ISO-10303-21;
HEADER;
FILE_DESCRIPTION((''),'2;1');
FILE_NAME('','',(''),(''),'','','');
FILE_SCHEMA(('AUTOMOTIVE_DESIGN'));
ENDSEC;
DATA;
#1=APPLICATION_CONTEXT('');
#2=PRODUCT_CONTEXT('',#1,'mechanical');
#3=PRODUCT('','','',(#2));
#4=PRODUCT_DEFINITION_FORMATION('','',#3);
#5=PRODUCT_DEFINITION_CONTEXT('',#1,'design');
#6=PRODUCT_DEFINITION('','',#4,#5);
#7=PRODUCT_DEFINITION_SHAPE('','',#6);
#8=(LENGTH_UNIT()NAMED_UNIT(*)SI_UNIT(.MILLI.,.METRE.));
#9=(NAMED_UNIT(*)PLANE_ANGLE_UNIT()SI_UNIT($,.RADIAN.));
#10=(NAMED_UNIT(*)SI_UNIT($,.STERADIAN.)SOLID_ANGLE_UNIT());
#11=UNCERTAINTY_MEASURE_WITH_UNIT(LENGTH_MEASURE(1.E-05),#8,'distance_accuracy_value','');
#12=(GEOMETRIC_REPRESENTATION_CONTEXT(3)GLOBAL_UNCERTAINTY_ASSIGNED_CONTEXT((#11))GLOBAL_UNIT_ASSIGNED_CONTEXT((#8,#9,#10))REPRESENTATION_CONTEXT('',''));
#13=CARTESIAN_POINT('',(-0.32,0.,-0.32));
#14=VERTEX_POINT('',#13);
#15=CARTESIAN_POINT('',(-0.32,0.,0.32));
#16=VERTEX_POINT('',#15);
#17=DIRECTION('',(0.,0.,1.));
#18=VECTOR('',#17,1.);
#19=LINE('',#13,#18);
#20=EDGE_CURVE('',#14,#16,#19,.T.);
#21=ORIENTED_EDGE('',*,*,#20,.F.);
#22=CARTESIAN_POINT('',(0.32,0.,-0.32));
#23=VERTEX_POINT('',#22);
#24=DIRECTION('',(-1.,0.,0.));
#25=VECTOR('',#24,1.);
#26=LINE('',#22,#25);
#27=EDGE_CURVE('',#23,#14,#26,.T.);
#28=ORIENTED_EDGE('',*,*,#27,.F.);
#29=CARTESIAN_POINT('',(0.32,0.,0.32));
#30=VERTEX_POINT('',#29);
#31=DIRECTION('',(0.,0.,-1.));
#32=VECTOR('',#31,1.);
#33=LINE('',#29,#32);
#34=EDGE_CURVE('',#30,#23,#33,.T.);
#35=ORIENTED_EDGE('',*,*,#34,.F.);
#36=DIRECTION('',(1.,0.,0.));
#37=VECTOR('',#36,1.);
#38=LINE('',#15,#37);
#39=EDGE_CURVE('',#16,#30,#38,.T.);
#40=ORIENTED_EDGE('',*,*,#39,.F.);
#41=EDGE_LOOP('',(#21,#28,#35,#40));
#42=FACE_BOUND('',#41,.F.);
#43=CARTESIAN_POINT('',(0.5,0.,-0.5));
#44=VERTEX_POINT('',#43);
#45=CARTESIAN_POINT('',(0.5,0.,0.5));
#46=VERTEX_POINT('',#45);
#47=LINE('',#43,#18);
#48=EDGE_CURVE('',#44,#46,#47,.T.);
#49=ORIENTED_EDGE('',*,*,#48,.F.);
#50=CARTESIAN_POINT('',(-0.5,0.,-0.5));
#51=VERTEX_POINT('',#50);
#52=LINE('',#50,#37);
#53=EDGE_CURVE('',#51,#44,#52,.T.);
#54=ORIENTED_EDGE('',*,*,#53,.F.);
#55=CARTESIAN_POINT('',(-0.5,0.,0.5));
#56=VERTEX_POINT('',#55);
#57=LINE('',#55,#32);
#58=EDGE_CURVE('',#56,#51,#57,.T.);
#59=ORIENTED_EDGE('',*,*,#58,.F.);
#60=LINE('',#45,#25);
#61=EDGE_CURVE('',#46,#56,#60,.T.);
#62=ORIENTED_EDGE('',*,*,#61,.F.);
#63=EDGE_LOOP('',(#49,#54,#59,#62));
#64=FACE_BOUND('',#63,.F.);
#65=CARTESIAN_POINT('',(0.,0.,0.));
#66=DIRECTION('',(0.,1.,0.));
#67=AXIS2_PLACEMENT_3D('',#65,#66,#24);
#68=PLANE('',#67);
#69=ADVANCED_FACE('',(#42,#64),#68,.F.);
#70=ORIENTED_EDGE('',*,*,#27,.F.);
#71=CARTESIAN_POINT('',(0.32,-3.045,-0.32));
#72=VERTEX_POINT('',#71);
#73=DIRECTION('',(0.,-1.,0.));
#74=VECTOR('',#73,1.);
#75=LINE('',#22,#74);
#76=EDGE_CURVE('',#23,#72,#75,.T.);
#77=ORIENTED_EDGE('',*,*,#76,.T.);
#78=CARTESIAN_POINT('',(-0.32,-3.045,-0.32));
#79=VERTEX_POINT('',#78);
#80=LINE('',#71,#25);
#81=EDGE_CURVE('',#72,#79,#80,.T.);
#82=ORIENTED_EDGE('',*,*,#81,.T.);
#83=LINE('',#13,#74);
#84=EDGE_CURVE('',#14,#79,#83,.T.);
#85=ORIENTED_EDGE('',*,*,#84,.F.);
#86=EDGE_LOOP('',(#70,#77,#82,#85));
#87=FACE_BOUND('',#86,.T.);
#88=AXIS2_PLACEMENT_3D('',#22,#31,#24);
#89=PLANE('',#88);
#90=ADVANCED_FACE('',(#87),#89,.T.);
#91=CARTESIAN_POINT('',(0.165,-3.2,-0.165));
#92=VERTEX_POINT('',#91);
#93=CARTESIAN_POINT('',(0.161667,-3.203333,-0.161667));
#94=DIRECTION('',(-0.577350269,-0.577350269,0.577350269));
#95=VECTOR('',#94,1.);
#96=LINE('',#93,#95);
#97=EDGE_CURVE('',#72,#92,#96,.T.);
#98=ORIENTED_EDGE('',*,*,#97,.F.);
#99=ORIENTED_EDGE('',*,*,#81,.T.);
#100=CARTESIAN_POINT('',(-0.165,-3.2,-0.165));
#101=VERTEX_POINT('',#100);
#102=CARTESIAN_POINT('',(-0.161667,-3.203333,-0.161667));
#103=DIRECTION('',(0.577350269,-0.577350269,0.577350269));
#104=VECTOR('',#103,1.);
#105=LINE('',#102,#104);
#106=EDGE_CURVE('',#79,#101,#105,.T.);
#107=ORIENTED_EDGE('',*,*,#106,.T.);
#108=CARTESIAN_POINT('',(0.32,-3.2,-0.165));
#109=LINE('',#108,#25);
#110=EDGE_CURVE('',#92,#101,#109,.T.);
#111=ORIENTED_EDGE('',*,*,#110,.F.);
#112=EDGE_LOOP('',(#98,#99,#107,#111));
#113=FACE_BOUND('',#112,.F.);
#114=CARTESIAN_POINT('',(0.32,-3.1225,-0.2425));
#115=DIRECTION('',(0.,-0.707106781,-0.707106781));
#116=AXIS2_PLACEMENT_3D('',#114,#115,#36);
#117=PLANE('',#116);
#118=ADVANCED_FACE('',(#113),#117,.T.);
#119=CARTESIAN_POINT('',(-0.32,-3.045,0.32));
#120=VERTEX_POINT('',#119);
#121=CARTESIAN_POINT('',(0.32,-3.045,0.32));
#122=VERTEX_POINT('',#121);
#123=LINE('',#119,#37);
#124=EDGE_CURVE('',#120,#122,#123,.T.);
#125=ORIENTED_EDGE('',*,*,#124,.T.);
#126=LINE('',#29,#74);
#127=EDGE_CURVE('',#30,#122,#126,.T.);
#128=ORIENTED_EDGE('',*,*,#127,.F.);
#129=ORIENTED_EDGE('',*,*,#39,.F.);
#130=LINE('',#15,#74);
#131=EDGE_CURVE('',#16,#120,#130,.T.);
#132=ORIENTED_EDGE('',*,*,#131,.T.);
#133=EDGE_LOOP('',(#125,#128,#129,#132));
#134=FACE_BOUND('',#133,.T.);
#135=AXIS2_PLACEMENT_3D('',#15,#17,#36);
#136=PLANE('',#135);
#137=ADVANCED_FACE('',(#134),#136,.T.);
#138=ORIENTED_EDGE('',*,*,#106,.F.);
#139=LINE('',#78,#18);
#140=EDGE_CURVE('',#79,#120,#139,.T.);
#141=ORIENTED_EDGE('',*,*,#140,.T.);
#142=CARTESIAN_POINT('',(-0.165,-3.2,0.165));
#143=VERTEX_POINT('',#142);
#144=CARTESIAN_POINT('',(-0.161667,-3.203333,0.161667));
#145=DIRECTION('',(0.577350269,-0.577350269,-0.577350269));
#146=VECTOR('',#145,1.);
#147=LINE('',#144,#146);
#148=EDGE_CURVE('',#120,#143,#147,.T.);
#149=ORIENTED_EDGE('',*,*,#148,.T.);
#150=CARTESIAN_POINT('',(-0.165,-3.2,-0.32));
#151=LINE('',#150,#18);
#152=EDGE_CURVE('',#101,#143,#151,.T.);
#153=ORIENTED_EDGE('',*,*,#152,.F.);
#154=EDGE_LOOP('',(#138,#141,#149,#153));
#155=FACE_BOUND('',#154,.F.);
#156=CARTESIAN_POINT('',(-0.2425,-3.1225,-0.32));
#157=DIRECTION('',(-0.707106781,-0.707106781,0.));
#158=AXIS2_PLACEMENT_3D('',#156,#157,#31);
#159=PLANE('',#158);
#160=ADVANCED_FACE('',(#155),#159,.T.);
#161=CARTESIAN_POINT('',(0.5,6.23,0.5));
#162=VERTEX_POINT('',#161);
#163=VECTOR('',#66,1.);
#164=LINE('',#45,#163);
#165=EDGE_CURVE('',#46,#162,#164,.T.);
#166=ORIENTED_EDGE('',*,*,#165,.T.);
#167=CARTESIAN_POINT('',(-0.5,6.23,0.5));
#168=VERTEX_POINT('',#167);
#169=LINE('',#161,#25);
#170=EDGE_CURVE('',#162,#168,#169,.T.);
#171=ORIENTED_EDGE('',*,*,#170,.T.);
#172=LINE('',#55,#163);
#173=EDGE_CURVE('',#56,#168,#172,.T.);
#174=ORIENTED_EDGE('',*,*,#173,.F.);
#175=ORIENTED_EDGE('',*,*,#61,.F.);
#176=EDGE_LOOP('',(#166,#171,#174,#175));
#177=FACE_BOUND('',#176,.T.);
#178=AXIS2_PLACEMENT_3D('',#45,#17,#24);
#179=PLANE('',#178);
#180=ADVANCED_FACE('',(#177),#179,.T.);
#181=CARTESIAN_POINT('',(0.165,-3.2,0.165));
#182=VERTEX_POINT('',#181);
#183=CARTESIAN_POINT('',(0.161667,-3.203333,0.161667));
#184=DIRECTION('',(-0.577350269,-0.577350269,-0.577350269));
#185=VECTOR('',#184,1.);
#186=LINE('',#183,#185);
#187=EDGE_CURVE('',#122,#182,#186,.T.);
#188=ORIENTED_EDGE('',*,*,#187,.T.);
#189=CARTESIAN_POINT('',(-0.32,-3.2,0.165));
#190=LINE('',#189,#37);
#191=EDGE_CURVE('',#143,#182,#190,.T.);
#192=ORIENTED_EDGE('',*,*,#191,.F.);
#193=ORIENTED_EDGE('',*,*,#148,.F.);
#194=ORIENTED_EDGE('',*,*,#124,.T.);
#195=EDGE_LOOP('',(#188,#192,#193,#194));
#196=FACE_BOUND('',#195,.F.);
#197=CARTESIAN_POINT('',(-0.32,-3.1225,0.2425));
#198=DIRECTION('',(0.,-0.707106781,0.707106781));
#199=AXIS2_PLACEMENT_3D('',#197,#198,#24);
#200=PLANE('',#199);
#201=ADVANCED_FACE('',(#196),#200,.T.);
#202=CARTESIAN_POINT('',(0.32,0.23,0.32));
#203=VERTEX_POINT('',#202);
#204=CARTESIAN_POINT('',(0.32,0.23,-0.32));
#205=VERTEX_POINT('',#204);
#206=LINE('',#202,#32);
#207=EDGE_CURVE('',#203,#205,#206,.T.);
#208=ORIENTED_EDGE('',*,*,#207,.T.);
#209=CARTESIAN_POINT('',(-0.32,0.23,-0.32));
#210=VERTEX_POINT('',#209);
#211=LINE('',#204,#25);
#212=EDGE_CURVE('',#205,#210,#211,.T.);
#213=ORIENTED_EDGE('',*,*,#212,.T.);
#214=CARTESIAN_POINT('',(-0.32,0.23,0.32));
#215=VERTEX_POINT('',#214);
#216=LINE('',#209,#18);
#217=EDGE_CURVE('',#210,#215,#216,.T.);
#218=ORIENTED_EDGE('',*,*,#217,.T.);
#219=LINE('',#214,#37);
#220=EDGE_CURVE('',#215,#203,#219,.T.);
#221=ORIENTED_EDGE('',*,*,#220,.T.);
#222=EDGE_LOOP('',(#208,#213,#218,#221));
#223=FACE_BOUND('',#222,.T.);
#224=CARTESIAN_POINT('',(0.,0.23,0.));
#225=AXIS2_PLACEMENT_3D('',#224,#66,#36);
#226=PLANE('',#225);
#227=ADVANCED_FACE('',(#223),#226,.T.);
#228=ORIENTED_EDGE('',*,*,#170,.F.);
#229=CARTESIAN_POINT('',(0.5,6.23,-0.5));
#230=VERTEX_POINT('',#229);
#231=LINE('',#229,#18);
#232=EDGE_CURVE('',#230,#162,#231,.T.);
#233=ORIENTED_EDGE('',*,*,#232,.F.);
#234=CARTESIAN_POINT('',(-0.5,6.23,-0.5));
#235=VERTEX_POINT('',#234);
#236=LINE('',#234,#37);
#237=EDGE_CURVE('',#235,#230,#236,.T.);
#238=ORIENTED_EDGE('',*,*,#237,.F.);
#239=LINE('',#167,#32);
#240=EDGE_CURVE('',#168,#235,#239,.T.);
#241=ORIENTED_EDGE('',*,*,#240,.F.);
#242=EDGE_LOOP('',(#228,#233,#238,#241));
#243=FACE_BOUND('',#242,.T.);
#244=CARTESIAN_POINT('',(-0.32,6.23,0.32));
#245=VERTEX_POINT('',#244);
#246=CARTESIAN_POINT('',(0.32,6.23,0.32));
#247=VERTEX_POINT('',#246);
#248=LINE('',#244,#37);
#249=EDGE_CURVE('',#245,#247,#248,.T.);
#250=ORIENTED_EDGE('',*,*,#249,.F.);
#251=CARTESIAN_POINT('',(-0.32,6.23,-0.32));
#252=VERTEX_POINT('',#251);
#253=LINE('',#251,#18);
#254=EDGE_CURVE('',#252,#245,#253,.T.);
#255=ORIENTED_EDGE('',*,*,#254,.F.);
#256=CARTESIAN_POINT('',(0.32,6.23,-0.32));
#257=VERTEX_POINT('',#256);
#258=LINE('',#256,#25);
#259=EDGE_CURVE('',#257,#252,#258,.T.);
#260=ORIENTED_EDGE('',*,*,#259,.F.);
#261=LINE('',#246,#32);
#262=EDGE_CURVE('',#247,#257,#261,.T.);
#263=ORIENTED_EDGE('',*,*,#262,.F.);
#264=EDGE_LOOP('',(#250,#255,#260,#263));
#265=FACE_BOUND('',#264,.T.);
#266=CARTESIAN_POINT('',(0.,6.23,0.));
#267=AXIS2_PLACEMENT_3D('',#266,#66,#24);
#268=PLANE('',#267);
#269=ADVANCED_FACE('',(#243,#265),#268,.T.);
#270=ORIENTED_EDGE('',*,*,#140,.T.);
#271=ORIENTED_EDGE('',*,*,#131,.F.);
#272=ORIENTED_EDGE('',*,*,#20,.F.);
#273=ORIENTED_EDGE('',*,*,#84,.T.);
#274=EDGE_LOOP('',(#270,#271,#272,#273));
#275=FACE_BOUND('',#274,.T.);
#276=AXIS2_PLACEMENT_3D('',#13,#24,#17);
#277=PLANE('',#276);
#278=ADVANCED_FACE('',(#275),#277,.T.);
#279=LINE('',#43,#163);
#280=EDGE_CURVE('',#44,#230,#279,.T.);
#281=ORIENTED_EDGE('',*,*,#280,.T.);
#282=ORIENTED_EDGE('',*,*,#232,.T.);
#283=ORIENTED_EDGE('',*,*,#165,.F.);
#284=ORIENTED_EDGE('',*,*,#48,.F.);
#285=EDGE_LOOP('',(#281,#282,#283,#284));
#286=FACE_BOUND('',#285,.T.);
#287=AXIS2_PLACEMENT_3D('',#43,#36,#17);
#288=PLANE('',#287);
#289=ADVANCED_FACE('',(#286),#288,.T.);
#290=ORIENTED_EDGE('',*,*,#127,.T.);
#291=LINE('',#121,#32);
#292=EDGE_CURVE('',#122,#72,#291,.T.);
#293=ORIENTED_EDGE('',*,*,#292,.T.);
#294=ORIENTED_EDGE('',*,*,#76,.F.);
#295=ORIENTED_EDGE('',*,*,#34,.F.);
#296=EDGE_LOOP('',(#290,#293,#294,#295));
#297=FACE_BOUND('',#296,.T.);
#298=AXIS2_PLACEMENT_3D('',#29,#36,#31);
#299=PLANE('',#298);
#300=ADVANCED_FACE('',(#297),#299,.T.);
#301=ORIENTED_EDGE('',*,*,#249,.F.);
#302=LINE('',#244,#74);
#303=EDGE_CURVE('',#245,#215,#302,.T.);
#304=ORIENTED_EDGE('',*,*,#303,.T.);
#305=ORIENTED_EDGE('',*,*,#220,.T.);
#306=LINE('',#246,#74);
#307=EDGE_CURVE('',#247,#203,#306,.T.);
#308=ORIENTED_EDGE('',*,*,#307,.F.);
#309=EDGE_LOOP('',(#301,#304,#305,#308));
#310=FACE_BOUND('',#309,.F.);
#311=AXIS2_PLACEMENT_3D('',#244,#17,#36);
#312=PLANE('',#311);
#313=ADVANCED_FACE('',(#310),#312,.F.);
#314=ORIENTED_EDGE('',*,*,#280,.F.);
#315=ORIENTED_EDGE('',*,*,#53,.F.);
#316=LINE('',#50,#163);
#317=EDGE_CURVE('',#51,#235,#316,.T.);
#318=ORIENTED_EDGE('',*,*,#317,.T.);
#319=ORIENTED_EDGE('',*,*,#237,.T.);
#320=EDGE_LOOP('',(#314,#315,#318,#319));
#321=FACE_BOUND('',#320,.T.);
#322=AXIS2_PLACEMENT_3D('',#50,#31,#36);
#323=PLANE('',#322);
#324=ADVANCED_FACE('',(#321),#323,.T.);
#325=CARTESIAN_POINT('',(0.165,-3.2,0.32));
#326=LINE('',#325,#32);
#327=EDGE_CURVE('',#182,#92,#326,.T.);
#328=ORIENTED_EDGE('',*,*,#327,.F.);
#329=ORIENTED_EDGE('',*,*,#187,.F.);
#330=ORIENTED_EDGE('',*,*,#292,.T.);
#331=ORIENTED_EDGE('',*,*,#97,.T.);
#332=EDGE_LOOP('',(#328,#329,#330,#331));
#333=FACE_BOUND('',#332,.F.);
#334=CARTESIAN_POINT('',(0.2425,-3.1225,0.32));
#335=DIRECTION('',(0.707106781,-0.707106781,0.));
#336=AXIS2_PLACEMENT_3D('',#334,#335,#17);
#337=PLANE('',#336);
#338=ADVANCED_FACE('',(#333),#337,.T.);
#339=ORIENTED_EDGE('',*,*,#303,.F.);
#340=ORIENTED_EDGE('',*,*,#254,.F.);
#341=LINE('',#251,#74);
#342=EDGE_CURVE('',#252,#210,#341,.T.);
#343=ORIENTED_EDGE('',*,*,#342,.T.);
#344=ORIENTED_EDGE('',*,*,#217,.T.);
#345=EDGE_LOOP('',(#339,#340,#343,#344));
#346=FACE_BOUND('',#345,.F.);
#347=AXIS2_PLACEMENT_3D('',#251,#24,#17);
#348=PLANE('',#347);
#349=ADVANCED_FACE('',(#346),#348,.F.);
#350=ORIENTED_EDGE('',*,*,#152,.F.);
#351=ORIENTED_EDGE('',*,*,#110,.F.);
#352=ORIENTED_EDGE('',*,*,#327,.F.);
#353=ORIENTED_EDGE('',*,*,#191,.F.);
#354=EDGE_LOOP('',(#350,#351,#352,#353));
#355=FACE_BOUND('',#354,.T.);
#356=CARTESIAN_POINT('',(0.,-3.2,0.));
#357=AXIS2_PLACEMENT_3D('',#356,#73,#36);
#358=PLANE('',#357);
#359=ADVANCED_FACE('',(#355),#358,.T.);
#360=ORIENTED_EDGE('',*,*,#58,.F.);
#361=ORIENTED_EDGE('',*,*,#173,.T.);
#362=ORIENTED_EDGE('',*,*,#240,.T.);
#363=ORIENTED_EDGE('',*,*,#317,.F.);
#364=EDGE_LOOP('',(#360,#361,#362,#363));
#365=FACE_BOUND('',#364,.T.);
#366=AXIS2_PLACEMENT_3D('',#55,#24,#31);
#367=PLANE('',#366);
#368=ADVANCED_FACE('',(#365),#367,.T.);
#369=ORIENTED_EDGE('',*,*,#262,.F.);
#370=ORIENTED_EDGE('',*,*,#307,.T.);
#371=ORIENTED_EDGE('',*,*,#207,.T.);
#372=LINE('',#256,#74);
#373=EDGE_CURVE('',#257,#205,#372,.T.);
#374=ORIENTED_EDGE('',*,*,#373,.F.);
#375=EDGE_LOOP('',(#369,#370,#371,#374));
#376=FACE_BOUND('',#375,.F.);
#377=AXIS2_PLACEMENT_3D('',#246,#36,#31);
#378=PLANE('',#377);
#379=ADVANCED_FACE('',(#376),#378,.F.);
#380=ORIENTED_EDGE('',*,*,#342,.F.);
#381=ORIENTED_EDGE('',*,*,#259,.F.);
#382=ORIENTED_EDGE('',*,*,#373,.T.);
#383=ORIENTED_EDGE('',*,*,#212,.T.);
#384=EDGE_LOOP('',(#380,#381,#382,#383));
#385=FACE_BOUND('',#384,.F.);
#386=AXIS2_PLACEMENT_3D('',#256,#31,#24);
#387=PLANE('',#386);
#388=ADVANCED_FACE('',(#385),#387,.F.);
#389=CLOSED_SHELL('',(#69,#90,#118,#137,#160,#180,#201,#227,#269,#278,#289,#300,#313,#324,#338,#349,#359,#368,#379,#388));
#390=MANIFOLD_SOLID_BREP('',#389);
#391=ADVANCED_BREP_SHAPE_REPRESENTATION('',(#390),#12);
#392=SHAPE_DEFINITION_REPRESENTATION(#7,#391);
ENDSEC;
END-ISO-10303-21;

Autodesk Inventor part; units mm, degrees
ref_plane "YZ Plane" through (0, 0, 0) normal (1, 0, 0) x (0, 1, 0)
ref_plane "XZ Plane" through (0, 0, 0) normal (0, 1, 0) x (-1, 0, 0)
ref_plane "XY Plane" through (0, 0, 0) normal (0, 0, 1) x (1, 0, 0)
sketch "Sketch1" plane through (0, 0, 0) normal (0, 1, 0) x (-1, 0, 0)
  line L0 (-0.5, 0.5) -> (0.5, 0.5)
  line L1 (0.5, 0.5) -> (0.5, -0.5)
  line L2 (0.5, -0.5) -> (-0.5, -0.5)
  line L3 (-0.5, -0.5) -> (-0.5, 0.5)
  line L4 (-0.5, 0.5) -> (0.5, -0.5) construction
  line L5 (0.5, 0.5) -> (-0.5, -0.5) construction
  point P0 (0, 0)
  dimension "d0" = 1
  dimension "d1" = 1
extrude "Extrusion1" add sketch "Sketch1" along normal blind 6.23
sketch "Sketch2" plane through (0, 0, 0) normal (0, -1, 0) x (1, 0, 0)
  line L0 (-0.32, 0.32) -> (0.32, 0.32)
  line L1 (0.32, 0.32) -> (0.32, -0.32)
  line L2 (0.32, -0.32) -> (-0.32, -0.32)
  line L3 (-0.32, -0.32) -> (-0.32, 0.32)
  line L4 (-0.32, 0.32) -> (0.32, -0.32) construction
  line L5 (0.32, 0.32) -> (-0.32, -0.32) construction
  point P0 (0, 0)
  dimension "d4" = 0.64
  dimension "d5" = 0.64
extrude "Extrusion2" add sketch "Sketch2" along normal blind 3.2
chamfer "Chamfer1" distance 0.155 angle 45 4 edges at (0, -3.2, 0.32) (0.32, -3.2, 0) (0, -3.2, -0.32) (-0.32, -3.2, 0)
sketch "Sketch3" plane through (0, 6.23, 0) normal (0, 1, 0) x (1, 0, 0)
  line L0 (0.32, 0.32) -> (-0.32, 0.32)
  line L1 (-0.32, 0.32) -> (-0.32, -0.32)
  line L2 (-0.32, -0.32) -> (0.32, -0.32)
  line L3 (0.32, -0.32) -> (0.32, 0.32)
  line L4 (0.32, 0.32) -> (-0.32, -0.32) construction
  line L5 (-0.32, 0.32) -> (0.32, -0.32) construction
  point P0 (0, 0)
  dimension "d11" = 0.64
  dimension "d12" = 0.64
extrude "Extrusion3" cut sketch "Sketch3" against normal blind 6
properties part number "pin" material "Gold"
